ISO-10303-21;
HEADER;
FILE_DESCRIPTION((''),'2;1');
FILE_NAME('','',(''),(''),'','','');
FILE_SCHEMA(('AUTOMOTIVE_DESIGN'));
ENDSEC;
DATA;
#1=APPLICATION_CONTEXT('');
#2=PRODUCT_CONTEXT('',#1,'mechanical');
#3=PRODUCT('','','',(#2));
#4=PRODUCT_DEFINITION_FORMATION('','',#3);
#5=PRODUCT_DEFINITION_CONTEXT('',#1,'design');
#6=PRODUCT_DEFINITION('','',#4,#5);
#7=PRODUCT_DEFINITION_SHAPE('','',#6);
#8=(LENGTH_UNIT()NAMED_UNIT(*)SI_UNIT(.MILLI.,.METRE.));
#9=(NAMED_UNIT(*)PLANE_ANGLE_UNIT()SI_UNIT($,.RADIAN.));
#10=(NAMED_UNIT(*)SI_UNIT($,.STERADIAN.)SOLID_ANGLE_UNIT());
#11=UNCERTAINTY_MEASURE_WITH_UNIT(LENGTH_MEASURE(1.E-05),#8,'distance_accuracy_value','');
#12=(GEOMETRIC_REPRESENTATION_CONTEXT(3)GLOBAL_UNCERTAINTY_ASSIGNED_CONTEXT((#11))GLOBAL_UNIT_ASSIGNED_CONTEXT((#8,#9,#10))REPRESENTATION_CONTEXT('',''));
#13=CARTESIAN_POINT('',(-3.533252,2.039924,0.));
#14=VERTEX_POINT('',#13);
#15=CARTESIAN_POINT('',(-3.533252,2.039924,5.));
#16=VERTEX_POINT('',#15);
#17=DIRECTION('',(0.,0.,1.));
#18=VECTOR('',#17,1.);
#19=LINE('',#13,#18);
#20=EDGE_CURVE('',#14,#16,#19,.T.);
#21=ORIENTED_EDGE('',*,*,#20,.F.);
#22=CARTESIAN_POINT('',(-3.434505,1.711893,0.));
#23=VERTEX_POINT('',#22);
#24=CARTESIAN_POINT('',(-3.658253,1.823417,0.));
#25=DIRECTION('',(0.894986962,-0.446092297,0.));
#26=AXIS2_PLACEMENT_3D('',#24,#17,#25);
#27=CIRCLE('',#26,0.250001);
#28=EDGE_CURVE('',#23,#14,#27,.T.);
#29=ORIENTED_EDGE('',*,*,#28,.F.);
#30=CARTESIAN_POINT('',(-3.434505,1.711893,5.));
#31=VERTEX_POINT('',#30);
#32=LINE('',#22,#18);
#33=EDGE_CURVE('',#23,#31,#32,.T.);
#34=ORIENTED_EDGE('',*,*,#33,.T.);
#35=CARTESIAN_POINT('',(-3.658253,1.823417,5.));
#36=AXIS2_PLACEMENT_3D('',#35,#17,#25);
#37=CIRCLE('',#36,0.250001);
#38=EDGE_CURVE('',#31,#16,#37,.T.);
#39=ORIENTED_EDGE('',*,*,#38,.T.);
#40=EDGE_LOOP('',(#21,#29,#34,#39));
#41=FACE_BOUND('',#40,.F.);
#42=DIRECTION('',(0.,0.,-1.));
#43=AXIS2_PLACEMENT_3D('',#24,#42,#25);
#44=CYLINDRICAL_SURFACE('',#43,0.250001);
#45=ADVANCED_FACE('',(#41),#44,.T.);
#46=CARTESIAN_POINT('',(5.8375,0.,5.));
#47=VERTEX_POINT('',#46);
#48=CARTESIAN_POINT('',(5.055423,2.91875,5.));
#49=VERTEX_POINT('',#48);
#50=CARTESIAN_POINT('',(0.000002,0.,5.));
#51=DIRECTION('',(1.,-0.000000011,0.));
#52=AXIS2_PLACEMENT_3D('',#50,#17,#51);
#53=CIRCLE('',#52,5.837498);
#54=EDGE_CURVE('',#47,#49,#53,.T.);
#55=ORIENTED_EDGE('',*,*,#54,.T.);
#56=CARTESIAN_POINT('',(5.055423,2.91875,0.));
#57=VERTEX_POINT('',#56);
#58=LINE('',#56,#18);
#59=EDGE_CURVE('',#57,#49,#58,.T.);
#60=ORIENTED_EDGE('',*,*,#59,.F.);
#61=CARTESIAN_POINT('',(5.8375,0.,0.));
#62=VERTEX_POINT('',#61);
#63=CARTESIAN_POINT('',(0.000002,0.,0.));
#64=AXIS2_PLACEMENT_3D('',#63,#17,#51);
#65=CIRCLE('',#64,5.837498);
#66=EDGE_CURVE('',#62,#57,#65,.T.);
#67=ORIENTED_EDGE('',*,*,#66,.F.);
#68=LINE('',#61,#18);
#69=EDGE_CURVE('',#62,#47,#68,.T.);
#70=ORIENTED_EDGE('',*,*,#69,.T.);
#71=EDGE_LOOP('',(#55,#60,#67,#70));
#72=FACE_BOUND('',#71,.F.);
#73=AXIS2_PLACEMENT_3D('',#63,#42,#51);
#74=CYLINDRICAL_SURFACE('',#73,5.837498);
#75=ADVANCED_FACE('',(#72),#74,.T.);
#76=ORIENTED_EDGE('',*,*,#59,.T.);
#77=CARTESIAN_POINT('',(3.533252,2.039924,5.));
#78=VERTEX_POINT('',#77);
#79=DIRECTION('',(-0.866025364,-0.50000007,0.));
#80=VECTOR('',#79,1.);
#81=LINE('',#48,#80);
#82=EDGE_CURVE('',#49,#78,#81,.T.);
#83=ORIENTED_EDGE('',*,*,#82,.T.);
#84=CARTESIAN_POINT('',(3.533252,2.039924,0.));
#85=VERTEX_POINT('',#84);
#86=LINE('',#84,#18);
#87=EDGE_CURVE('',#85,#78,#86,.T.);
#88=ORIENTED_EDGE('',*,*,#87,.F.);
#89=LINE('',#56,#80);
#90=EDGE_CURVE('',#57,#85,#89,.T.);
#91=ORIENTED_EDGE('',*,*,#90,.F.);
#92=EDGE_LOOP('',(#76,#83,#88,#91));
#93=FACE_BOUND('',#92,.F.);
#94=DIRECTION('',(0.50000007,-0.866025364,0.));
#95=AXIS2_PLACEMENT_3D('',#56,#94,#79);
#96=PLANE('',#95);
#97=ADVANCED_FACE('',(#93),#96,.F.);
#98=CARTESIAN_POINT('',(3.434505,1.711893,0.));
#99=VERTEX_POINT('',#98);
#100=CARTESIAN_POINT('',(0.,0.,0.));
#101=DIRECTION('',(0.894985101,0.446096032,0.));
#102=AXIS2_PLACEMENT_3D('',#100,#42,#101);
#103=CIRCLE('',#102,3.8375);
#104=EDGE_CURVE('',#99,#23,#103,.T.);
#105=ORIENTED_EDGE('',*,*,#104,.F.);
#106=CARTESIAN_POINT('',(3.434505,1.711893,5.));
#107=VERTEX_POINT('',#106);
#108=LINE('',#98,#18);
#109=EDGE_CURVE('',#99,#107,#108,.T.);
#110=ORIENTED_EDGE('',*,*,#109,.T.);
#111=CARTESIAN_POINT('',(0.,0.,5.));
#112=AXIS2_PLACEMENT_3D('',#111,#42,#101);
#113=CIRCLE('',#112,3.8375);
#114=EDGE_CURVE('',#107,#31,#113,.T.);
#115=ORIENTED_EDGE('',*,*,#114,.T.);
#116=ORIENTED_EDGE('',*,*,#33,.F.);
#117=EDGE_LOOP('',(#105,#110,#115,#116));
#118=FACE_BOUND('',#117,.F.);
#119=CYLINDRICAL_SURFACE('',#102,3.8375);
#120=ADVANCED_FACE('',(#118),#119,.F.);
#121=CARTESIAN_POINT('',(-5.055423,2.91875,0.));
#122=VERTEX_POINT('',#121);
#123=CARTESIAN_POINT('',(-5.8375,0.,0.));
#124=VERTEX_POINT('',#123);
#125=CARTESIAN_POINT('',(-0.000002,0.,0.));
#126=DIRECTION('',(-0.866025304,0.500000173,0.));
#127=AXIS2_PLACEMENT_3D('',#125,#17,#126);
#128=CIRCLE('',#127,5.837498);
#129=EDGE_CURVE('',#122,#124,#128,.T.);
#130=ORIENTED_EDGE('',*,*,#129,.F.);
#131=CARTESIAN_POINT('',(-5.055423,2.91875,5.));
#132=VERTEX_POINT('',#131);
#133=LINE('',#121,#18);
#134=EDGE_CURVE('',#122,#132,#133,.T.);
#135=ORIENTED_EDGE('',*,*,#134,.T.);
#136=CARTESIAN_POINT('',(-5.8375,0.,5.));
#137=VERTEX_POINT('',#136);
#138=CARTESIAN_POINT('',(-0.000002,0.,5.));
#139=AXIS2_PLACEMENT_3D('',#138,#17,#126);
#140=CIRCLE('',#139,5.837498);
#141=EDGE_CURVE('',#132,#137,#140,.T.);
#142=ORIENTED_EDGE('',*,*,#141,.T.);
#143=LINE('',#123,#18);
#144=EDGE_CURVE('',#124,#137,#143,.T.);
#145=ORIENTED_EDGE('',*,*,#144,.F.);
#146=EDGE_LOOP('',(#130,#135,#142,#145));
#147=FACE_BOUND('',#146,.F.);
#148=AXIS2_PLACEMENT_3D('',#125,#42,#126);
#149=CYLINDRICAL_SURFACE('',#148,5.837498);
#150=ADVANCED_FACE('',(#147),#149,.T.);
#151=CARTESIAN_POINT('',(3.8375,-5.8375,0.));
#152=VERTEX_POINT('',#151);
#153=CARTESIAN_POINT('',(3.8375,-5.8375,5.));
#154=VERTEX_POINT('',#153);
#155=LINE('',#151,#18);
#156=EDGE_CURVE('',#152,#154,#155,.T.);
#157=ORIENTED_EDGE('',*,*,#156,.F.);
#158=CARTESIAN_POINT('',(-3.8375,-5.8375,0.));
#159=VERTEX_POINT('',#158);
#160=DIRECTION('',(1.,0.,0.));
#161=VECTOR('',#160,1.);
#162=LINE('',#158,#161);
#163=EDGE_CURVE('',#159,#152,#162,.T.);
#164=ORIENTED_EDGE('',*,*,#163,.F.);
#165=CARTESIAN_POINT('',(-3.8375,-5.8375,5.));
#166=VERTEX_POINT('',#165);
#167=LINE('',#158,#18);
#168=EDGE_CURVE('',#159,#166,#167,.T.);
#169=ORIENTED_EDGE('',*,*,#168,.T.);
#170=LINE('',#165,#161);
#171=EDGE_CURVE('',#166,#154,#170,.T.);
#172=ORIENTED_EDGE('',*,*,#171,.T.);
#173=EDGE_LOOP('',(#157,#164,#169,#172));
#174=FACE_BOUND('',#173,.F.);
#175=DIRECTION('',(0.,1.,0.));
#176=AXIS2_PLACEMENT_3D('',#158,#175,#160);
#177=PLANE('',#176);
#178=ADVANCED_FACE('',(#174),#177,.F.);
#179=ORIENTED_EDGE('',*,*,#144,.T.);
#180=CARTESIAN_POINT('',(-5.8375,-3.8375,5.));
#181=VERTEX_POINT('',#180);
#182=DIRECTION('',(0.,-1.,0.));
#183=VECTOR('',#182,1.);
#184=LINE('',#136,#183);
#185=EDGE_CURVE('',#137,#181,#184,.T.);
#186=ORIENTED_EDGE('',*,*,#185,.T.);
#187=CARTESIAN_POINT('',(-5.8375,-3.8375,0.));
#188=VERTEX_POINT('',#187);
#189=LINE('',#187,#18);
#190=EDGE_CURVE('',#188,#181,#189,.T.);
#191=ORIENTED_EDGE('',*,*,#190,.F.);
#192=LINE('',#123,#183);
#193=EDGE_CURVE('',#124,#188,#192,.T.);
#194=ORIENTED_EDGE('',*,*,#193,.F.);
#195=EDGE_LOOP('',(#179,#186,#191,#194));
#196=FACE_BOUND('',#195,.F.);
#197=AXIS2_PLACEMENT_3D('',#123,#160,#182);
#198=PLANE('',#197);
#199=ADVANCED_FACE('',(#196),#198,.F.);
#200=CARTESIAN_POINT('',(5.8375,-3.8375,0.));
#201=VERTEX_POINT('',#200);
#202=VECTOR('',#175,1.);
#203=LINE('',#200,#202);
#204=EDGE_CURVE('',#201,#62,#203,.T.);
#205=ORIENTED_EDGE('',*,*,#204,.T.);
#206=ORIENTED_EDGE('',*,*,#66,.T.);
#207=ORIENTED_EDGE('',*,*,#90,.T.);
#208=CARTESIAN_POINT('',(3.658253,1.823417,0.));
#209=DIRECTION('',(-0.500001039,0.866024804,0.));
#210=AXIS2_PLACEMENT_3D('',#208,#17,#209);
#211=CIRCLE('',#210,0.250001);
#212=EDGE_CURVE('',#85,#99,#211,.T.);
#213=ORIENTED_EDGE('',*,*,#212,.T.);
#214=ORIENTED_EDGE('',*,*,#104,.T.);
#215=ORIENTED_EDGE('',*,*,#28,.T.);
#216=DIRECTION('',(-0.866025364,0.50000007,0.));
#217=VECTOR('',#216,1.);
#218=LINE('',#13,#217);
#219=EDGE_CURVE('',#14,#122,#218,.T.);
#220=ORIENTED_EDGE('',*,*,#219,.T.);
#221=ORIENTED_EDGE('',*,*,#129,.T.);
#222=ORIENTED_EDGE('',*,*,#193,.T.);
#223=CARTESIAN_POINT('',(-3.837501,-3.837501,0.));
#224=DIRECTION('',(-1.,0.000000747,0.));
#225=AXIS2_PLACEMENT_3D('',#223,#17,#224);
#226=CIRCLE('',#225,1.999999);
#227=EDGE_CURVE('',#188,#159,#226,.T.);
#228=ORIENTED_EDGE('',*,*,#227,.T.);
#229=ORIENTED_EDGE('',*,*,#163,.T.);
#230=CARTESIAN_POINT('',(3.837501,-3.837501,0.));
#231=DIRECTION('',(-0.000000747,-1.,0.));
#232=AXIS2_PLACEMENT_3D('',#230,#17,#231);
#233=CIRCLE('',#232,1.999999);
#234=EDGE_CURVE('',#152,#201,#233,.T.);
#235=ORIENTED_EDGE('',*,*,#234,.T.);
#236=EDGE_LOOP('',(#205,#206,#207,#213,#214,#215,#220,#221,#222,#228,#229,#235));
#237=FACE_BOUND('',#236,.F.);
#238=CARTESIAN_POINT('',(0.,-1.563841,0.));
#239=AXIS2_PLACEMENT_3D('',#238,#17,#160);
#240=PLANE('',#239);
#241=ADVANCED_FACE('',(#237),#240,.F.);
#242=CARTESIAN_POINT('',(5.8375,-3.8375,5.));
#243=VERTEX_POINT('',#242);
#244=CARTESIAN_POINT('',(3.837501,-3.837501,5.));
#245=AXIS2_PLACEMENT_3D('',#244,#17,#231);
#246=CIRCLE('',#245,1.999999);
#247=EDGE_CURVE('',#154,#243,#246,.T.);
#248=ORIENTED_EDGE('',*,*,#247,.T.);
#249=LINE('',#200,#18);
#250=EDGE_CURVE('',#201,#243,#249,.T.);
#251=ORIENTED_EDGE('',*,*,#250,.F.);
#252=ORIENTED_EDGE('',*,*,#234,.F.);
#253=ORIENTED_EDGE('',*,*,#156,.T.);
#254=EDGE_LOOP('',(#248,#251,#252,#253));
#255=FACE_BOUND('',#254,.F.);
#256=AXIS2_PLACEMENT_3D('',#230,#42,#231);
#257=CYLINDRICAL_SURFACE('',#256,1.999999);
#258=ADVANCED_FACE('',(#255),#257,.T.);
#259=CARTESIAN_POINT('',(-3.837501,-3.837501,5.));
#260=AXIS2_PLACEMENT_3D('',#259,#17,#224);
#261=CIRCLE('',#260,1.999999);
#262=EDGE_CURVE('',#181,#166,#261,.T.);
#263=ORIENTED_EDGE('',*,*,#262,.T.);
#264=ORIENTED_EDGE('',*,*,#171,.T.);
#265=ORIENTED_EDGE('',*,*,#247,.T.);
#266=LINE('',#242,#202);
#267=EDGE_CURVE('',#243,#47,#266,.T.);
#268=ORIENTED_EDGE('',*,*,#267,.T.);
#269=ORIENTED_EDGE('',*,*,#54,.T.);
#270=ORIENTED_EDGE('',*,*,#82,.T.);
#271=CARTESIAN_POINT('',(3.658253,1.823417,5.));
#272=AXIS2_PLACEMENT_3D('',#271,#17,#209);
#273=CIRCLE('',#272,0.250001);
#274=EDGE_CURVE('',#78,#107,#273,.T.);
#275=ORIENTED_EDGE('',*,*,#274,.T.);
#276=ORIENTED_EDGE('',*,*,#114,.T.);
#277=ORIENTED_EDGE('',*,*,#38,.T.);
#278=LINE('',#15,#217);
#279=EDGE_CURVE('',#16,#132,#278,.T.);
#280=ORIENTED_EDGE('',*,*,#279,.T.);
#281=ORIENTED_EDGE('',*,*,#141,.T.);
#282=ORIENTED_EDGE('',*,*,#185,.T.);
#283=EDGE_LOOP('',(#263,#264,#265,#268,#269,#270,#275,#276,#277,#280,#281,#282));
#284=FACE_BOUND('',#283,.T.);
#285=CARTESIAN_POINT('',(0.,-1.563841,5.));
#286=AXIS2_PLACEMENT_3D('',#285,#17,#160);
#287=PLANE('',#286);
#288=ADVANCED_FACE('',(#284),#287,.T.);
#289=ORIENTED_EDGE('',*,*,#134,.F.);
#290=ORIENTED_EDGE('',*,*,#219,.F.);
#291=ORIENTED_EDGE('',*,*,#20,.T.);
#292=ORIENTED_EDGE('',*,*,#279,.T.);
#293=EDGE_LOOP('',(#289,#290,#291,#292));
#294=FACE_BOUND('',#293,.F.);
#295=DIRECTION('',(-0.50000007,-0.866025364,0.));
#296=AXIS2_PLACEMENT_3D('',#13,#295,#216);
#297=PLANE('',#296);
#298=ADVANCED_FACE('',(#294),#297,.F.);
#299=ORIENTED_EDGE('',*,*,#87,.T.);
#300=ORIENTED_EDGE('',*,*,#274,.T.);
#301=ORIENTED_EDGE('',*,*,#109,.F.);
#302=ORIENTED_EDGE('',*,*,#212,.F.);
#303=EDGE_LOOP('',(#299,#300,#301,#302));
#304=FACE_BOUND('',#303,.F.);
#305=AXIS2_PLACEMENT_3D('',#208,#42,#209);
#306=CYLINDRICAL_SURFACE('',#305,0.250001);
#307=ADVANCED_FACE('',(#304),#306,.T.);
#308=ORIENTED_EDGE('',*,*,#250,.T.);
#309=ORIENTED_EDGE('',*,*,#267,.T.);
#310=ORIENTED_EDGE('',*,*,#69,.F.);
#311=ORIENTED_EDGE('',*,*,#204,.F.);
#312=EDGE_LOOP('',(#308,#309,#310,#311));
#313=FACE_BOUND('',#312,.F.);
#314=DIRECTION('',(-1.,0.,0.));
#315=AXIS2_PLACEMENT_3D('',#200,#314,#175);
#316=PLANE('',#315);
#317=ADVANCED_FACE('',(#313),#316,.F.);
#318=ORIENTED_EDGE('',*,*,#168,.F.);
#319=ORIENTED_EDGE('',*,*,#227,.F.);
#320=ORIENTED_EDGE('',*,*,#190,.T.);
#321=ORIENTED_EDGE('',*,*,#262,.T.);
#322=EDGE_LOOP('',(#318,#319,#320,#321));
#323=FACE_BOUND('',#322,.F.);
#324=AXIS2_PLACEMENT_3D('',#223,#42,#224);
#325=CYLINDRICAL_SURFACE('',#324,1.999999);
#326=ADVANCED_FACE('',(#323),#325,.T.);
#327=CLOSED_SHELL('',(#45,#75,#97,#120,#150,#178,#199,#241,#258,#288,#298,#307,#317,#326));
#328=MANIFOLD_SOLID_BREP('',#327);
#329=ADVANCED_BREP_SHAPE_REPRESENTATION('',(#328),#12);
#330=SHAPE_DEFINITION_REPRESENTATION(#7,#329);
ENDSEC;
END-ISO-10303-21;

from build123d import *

# Parameters (mm, degrees)
F1_DEPTH = 5


with BuildPart() as f1:
    # F0 (on Top) → F1 (new body)
    with BuildSketch(Plane.XY):
        with BuildLine():
            ThreePointArc((3.434505, 1.711893), (0, -3.8375), (-3.434505, 1.711893))
            ThreePointArc((-3.434505, 1.711893), (-3.418863, 1.89548), (-3.533252, 2.039924))
            Line((-3.533252, 2.039924), (-5.055423, 2.91875))
            ThreePointArc((-5.055423, 2.91875), (-5.638592, 1.510856), (-5.8375, 0))
            ThreePointArc((-5.8375, 0), (-4.127736, -4.127736), (0, -5.8375))
            ThreePointArc((0, -5.8375), (4.127736, -4.127736), (5.8375, 0))
            ThreePointArc((5.8375, 0), (5.638592, 1.510856), (5.055423, 2.91875))
            Line((5.055423, 2.91875), (3.533252, 2.039924))
            ThreePointArc((3.533252, 2.039924), (3.418863, 1.89548), (3.434505, 1.711893))
        make_face()
        with BuildLine():
            ThreePointArc((0, -5.8375), (-4.127736, -4.127736), (-5.8375, 0))
            Line((-5.8375, 0), (-5.8375, -3.8375))
            ThreePointArc((-5.8375, -3.8375), (-5.251714, -5.251714), (-3.8375, -5.8375))
            Line((-3.8375, -5.8375), (0, -5.8375))
        make_face()
        with BuildLine():
            Line((5.8375, -3.8375), (5.8375, 0))
            ThreePointArc((5.8375, 0), (4.127736, -4.127736), (0, -5.8375))
            Line((0, -5.8375), (3.8375, -5.8375))
            ThreePointArc((3.8375, -5.8375), (5.251714, -5.251714), (5.8375, -3.8375))
        make_face()
    extrude(amount=F1_DEPTH)


solid = f1.part
